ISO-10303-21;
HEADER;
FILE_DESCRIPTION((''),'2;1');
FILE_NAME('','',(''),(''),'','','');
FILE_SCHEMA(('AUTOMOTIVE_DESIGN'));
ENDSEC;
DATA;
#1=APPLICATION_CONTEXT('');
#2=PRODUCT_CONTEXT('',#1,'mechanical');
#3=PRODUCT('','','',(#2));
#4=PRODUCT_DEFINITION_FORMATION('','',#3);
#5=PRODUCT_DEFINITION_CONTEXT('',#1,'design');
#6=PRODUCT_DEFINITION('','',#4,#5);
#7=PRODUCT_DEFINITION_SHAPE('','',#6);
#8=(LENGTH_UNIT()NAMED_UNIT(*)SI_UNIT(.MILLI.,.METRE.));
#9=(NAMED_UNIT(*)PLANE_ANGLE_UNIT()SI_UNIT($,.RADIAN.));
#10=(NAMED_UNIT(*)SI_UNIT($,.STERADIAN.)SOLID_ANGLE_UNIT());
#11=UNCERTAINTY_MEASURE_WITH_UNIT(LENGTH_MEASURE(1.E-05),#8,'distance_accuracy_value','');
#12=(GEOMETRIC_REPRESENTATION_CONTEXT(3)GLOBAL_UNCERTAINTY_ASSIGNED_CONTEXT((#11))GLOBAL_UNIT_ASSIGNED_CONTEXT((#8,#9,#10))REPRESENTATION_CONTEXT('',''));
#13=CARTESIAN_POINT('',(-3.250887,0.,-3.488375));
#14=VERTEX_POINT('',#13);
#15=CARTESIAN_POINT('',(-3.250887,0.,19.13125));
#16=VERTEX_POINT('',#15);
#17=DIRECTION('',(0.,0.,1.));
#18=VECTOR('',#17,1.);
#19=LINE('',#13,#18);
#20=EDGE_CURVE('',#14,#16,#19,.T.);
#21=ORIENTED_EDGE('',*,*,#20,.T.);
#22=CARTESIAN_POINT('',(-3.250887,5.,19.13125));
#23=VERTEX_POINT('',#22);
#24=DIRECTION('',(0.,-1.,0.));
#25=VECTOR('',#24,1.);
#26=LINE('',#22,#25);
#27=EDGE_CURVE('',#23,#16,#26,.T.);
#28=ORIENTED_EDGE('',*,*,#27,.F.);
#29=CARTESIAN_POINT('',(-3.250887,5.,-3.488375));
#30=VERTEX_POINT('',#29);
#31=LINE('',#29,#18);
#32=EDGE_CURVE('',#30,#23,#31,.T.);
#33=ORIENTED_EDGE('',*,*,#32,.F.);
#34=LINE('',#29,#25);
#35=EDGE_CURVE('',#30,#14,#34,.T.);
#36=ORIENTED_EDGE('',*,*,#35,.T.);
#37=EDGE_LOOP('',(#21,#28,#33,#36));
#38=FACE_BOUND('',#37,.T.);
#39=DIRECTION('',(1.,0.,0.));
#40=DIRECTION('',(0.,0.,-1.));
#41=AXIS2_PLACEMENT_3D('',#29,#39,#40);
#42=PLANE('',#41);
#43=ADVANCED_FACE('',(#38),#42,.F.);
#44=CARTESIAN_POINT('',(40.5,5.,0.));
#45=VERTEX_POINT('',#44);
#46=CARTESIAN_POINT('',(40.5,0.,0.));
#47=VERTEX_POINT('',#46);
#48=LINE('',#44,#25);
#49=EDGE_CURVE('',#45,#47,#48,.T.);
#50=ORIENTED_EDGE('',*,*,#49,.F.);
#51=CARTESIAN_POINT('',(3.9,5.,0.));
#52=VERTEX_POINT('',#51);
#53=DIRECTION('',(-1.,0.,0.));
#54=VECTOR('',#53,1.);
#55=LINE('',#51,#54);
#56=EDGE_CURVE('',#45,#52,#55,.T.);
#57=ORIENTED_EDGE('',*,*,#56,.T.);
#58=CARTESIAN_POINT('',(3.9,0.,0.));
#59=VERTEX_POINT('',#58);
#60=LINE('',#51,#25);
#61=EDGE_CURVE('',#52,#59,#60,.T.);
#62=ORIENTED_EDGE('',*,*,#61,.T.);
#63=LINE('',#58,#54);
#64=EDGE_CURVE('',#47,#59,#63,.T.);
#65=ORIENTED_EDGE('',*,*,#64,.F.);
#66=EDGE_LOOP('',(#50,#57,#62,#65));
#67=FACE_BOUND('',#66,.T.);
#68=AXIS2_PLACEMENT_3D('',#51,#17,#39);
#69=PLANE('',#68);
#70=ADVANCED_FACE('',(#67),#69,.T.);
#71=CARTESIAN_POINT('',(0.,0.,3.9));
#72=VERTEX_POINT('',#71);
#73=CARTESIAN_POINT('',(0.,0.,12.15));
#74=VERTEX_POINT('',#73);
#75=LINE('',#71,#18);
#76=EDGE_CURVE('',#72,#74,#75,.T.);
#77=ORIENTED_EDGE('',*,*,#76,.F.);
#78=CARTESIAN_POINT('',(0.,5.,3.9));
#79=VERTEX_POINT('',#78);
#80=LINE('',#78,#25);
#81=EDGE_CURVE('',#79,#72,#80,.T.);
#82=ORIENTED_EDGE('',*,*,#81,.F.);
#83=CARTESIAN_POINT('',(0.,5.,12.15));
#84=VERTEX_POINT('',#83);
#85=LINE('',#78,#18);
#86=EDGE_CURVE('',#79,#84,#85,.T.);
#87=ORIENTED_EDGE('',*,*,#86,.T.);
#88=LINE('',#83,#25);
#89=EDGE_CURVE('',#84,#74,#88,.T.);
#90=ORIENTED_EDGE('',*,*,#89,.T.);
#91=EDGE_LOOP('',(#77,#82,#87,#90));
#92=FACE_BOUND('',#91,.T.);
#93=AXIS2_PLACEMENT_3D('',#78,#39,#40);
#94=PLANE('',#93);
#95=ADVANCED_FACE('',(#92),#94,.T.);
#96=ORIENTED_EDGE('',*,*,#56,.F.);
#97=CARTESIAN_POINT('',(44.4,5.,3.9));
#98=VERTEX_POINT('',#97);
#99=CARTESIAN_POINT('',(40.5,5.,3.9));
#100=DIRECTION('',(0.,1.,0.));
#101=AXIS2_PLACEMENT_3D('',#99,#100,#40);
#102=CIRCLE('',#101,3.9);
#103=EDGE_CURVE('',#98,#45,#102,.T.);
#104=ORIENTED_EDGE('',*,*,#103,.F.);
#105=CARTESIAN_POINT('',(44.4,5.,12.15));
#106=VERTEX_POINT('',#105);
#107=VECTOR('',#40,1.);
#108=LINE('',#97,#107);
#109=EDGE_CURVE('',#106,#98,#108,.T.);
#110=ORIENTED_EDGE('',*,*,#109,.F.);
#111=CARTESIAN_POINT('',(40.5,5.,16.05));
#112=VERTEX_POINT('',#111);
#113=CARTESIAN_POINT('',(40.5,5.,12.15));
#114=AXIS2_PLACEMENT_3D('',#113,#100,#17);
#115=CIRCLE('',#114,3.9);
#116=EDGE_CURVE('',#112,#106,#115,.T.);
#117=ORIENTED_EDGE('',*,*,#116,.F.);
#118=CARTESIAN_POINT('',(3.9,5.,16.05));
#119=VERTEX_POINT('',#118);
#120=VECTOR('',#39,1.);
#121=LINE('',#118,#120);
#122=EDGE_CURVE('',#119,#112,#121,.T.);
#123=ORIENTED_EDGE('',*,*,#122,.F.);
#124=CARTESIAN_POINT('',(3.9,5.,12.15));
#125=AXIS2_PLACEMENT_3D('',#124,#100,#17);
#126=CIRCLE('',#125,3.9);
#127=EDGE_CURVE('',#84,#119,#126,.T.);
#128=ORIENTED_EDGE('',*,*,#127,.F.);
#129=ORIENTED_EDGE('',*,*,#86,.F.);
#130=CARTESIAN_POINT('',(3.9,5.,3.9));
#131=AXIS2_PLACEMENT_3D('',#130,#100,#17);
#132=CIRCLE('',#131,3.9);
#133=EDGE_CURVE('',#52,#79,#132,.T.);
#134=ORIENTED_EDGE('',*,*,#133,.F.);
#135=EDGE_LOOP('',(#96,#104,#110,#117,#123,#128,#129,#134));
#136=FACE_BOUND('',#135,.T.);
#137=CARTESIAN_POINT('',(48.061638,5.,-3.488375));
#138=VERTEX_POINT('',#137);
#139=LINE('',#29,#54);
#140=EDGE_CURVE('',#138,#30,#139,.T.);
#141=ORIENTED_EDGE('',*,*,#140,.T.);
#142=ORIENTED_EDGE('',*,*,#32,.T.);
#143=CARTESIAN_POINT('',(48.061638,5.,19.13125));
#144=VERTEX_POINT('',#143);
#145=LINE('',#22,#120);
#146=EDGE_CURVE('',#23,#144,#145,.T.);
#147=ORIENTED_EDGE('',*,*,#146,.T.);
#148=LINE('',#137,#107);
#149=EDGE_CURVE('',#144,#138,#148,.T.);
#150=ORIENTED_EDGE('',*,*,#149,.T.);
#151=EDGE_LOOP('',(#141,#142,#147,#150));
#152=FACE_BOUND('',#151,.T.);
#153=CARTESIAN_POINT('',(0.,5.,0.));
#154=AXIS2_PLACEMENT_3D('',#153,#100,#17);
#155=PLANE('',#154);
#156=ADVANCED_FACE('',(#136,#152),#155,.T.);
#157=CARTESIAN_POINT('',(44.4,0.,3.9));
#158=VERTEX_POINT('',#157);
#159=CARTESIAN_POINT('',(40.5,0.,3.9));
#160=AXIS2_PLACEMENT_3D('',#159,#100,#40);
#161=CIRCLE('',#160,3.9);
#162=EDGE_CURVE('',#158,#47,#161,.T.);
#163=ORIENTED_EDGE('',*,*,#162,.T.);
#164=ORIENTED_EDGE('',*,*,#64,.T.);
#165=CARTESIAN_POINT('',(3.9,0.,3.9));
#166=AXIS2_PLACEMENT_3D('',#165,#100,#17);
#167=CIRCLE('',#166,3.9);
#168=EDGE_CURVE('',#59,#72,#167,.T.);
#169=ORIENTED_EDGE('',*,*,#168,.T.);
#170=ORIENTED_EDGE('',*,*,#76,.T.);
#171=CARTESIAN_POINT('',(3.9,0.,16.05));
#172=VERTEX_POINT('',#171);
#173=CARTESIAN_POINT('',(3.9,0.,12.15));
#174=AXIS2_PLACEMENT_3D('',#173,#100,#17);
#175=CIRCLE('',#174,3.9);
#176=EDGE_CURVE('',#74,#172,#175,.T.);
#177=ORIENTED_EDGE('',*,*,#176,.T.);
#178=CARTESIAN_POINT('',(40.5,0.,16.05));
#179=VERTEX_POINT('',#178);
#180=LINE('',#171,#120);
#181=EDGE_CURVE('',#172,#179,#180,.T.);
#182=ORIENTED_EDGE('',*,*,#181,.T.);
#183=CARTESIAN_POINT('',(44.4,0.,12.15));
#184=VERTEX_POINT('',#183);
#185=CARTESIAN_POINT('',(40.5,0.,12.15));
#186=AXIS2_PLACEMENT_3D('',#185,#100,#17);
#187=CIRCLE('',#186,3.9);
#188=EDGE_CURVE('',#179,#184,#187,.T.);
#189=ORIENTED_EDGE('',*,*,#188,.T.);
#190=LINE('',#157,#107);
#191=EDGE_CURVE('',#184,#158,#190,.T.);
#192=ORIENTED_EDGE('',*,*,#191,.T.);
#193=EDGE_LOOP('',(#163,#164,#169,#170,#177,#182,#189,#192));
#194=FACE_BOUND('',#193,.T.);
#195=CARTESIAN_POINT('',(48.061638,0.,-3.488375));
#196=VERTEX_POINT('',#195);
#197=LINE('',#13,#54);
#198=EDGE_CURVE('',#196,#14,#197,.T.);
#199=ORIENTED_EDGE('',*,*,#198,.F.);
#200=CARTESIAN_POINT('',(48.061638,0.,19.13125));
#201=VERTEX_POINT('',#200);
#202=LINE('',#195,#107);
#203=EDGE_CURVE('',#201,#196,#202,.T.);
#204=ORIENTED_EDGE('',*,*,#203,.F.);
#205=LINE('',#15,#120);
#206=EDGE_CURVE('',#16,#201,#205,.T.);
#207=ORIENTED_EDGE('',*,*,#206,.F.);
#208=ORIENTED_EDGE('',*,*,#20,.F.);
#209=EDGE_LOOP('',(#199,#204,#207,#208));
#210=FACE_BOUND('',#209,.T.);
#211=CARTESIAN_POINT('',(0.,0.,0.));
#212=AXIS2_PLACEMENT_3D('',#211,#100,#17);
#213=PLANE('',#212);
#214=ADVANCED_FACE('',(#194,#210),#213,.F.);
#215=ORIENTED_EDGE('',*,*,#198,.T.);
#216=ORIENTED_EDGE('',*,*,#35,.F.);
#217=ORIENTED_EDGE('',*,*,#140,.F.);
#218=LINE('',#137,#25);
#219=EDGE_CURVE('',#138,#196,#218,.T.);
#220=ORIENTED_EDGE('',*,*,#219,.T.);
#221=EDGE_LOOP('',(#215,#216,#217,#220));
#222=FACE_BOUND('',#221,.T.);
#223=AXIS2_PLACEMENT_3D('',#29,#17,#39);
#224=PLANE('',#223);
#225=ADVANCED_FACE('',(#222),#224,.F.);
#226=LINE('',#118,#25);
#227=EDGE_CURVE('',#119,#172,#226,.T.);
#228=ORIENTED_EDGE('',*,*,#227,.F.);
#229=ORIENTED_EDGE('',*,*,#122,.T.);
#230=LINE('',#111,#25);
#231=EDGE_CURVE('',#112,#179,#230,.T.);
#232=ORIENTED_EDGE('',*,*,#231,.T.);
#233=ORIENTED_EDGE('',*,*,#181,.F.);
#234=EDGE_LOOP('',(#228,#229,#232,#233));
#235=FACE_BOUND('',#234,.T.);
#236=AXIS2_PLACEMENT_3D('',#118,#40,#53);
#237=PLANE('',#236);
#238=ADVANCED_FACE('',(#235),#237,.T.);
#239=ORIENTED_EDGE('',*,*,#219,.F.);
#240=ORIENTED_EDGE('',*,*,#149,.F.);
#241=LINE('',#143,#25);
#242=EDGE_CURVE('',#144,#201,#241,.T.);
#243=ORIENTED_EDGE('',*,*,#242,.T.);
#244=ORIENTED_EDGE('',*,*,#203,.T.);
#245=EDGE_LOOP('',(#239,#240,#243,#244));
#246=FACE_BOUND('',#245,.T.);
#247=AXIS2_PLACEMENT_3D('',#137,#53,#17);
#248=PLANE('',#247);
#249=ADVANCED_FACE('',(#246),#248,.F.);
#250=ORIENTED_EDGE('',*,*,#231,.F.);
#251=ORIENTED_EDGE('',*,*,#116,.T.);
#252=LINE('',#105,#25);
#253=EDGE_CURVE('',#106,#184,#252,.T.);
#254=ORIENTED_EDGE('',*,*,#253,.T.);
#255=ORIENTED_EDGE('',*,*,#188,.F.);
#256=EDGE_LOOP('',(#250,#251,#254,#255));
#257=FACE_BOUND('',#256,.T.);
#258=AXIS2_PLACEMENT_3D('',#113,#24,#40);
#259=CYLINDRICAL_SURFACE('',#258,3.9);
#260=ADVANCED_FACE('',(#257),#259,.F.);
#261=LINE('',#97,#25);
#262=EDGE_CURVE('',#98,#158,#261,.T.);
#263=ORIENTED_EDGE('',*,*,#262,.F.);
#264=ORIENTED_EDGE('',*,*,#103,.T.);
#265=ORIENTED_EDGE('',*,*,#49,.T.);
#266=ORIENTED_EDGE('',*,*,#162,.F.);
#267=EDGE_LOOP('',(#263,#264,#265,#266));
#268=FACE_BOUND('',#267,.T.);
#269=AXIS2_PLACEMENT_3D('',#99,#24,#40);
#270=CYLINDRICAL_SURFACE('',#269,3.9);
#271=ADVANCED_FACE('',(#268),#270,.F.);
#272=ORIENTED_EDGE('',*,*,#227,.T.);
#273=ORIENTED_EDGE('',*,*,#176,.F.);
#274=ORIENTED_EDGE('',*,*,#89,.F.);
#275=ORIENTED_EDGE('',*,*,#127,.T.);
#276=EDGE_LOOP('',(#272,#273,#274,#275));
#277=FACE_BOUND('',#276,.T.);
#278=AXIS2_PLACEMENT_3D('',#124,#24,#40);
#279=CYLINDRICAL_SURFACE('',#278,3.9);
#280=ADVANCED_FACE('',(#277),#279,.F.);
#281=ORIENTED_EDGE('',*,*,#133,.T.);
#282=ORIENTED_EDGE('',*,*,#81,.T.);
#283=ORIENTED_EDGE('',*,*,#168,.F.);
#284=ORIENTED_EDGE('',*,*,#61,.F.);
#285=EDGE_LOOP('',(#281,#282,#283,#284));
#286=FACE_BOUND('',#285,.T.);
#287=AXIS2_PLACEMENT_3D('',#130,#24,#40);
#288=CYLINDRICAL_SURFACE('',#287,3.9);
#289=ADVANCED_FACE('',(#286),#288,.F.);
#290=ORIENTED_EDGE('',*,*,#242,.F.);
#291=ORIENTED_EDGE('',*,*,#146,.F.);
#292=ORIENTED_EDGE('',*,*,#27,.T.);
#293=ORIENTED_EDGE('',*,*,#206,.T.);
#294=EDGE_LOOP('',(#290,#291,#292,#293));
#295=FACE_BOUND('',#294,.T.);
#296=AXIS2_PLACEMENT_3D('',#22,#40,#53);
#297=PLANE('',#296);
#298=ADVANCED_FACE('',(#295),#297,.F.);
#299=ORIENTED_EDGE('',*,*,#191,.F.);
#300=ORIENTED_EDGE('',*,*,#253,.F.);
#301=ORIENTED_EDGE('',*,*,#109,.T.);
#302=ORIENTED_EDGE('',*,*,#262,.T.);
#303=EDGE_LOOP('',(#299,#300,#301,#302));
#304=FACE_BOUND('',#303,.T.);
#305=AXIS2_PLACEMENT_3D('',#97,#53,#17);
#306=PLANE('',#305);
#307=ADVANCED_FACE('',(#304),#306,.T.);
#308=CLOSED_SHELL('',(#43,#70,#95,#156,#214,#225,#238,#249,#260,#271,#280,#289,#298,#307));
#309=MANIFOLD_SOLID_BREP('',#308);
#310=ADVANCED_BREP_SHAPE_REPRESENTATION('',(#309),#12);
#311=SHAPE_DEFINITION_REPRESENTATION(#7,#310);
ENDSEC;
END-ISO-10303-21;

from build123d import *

# Parameters (mm, degrees)
SKETCH1_W           = 51.31252415
SKETCH1_H           = 22.61962494
BOSS_EXTRUDE1_DEPTH = 5


with BuildPart() as part:
    # Sketch1 → Boss-Extrude1 (new body)
    with BuildSketch(Plane(origin=(0, 0, 0), x_dir=(1, 0, 0), z_dir=(0, 1, 0))):
        with Locations((22.405375434, -7.821437968)):
            Rectangle(SKETCH1_W, SKETCH1_H)
        with BuildLine():
            Line((3.9, 0), (40.5, 0))
            ThreePointArc((40.5, 0), (43.257716447, -1.142283553), (44.4, -3.9))
            Line((44.4, -3.9), (44.4, -12.15))
            ThreePointArc((44.4, -12.15), (43.257716447, -14.907716447), (40.5, -16.05))
            Line((40.5, -16.05), (3.9, -16.05))
            ThreePointArc((3.9, -16.05), (1.142283553, -14.907716447), (0, -12.15))
            Line((0, -12.15), (0, -3.9))
            ThreePointArc((0, -3.9), (1.142283553, -1.142283553), (3.9, 0))
        make_face(mode=Mode.SUBTRACT)
    extrude(amount=BOSS_EXTRUDE1_DEPTH)


solid = part.part
